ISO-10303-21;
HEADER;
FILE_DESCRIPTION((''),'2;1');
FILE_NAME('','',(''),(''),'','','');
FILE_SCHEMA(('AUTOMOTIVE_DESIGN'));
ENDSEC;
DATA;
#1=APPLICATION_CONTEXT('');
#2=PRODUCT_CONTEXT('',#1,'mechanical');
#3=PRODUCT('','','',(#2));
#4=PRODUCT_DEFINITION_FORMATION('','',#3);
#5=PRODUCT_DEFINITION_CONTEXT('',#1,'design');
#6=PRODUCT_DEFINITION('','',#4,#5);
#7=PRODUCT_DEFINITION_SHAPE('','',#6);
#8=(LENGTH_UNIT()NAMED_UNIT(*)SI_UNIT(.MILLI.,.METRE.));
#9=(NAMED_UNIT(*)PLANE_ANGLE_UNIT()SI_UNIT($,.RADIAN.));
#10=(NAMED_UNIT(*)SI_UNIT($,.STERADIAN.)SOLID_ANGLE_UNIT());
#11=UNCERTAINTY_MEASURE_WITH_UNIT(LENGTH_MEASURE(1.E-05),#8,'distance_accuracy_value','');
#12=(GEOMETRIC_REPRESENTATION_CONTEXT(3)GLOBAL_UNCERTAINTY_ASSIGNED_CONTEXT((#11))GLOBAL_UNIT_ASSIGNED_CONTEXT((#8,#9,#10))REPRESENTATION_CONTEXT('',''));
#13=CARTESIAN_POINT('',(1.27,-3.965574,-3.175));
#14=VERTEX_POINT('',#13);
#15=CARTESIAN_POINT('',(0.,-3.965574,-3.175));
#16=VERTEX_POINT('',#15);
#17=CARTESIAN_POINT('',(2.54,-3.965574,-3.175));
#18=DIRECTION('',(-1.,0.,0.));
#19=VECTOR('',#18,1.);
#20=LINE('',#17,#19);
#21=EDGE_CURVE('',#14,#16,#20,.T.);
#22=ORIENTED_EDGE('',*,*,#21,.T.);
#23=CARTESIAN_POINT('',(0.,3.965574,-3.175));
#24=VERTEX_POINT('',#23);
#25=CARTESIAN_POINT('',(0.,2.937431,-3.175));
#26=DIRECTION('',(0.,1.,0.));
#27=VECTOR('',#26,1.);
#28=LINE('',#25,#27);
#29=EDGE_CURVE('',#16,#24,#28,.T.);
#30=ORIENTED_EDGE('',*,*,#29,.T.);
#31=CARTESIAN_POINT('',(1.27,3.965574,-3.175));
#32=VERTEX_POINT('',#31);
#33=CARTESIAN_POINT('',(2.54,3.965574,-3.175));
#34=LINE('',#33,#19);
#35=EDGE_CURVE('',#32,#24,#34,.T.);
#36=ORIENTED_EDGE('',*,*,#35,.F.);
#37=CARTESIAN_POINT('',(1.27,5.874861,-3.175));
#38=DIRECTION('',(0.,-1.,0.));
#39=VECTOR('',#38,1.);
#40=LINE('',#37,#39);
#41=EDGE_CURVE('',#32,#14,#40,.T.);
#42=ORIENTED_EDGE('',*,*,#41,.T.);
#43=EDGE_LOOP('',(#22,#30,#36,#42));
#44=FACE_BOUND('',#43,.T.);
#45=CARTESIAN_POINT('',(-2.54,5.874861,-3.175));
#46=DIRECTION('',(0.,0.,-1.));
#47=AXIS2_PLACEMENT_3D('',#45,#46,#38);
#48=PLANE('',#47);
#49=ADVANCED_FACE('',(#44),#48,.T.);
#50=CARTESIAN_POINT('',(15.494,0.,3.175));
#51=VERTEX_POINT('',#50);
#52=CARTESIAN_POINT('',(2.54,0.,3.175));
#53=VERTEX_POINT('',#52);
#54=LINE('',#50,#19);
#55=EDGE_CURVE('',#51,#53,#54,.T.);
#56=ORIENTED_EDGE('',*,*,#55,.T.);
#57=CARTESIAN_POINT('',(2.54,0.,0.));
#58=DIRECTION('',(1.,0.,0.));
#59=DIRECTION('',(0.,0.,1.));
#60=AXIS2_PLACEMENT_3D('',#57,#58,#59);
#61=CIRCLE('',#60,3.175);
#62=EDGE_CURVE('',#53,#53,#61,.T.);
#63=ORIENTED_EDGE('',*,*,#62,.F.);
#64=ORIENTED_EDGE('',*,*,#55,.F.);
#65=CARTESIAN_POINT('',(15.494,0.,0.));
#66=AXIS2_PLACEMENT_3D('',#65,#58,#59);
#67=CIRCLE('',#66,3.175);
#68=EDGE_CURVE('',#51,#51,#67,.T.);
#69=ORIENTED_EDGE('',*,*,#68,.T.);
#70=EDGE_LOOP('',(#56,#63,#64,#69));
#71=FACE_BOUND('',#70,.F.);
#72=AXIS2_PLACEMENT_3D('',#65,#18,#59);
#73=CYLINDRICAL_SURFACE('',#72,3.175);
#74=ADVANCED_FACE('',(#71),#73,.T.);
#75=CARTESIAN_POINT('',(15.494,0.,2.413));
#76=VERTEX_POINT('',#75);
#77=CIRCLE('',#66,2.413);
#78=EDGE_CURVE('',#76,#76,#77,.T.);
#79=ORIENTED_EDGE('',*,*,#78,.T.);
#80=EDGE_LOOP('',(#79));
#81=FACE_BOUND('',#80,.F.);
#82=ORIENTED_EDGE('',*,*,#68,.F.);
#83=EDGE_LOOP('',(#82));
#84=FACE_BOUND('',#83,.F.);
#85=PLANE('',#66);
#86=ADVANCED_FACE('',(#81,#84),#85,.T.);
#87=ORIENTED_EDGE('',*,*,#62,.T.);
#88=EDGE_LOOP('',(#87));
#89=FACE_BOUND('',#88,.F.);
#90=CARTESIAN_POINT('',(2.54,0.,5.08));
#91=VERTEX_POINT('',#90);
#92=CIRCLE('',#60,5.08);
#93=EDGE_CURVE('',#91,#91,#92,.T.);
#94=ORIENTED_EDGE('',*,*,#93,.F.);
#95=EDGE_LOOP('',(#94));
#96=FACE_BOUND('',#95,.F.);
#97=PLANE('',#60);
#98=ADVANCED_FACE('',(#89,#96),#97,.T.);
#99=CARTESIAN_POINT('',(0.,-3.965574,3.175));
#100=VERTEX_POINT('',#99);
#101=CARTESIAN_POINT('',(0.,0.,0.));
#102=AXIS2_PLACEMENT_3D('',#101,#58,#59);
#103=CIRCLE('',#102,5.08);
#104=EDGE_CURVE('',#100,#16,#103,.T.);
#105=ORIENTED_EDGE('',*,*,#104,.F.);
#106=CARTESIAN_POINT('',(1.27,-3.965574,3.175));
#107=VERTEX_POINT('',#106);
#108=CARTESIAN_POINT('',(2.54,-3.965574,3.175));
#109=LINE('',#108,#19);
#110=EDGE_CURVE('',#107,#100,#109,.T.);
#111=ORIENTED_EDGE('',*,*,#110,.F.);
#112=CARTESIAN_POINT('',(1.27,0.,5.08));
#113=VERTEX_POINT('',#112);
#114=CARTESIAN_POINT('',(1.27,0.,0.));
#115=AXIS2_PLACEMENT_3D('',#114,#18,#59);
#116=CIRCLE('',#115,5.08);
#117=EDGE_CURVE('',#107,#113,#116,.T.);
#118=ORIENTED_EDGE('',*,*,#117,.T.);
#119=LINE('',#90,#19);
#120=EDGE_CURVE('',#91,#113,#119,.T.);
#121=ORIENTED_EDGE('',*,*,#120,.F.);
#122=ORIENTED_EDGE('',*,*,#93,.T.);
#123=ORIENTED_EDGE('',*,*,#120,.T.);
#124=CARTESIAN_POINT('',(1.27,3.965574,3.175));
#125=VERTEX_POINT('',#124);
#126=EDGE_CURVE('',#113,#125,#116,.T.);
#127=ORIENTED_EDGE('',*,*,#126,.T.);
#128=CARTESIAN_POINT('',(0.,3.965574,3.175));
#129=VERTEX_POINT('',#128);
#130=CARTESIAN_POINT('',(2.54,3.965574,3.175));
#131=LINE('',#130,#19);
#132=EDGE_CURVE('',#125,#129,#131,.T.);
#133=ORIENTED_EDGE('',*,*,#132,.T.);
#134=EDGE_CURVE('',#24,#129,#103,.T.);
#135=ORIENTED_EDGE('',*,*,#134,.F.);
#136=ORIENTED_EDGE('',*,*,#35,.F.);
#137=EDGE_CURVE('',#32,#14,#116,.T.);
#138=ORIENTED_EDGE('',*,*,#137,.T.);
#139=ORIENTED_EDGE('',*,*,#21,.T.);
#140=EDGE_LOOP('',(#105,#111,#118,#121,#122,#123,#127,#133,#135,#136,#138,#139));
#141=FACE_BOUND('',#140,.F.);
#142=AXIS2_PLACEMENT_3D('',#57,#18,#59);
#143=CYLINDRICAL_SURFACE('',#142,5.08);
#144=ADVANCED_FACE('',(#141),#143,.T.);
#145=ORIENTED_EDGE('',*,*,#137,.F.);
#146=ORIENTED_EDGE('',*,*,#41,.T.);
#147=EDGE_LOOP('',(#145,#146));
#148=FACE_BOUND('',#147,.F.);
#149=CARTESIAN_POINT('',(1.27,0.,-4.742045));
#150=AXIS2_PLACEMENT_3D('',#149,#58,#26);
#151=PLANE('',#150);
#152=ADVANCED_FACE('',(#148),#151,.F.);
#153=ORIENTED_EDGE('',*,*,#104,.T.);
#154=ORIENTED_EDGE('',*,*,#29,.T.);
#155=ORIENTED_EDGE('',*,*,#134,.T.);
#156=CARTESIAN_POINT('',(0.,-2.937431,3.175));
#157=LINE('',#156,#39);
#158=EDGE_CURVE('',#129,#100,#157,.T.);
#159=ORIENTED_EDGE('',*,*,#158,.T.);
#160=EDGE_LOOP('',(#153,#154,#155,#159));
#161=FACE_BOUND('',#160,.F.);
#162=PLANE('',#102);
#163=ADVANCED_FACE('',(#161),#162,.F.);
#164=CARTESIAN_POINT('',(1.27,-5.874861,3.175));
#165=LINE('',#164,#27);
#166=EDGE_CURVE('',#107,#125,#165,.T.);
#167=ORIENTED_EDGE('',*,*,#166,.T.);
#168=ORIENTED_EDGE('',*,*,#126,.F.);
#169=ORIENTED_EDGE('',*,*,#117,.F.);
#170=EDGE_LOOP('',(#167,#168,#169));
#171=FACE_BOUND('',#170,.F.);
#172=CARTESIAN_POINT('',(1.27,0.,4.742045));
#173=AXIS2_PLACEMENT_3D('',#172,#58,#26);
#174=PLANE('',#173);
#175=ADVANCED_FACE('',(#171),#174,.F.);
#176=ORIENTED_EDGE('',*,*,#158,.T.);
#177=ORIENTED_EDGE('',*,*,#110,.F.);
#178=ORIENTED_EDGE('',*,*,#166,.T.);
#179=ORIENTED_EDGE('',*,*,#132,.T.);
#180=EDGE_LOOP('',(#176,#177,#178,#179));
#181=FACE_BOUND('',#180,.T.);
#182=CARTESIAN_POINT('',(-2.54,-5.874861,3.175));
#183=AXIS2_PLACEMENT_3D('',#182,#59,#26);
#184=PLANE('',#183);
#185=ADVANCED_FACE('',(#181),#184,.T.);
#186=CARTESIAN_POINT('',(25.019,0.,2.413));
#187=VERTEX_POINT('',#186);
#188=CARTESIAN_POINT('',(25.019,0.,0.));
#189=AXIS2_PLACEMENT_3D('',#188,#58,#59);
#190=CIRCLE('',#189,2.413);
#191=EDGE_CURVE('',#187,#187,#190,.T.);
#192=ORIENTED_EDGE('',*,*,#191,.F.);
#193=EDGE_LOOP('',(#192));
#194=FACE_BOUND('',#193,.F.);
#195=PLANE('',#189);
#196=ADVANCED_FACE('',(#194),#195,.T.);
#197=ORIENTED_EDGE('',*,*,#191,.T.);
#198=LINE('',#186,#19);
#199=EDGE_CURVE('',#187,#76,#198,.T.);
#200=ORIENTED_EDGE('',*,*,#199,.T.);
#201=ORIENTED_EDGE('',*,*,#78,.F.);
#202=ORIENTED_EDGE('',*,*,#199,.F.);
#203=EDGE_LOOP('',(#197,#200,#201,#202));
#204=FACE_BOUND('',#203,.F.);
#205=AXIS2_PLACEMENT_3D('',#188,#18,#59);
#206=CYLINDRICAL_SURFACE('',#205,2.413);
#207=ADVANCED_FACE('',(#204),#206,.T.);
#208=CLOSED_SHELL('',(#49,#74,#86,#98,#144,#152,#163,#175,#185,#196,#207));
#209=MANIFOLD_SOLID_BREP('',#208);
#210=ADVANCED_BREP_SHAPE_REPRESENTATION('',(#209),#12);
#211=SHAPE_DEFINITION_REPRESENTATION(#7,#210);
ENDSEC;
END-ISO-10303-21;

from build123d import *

# Parameters (mm, degrees)
F4_DEPTH = 3.81


with BuildPart() as f1:
    # F0 (on Front) → F1 (revolve)
    with BuildSketch(Plane.XZ):
        Polygon((0, 5.08), (0, 0), (25.019, 0), (25.019, 2.413), (15.494, 2.413), (15.494, 3.175), (2.54, 3.175), (2.54, 5.08), align=None)
    revolve(axis=Axis((12.5095, 0, 0), (1, 0, 0)))

    # F3 (on offset) → F4 (cut)
    with BuildSketch(Plane.YZ.offset(-2.54)):
        Polygon((-5.874861, 3.175), (0, 3.175), (5.874861, 3.175), (5.874861, 6.309091), (-5.874861, 6.309091), align=None)
        Polygon((5.874861, -3.175), (0, -3.175), (-5.874861, -3.175), (-5.874861, -6.309091), (5.874861, -6.309091), align=None)
    extrude(amount=F4_DEPTH, mode=Mode.SUBTRACT)


solid = f1.part
